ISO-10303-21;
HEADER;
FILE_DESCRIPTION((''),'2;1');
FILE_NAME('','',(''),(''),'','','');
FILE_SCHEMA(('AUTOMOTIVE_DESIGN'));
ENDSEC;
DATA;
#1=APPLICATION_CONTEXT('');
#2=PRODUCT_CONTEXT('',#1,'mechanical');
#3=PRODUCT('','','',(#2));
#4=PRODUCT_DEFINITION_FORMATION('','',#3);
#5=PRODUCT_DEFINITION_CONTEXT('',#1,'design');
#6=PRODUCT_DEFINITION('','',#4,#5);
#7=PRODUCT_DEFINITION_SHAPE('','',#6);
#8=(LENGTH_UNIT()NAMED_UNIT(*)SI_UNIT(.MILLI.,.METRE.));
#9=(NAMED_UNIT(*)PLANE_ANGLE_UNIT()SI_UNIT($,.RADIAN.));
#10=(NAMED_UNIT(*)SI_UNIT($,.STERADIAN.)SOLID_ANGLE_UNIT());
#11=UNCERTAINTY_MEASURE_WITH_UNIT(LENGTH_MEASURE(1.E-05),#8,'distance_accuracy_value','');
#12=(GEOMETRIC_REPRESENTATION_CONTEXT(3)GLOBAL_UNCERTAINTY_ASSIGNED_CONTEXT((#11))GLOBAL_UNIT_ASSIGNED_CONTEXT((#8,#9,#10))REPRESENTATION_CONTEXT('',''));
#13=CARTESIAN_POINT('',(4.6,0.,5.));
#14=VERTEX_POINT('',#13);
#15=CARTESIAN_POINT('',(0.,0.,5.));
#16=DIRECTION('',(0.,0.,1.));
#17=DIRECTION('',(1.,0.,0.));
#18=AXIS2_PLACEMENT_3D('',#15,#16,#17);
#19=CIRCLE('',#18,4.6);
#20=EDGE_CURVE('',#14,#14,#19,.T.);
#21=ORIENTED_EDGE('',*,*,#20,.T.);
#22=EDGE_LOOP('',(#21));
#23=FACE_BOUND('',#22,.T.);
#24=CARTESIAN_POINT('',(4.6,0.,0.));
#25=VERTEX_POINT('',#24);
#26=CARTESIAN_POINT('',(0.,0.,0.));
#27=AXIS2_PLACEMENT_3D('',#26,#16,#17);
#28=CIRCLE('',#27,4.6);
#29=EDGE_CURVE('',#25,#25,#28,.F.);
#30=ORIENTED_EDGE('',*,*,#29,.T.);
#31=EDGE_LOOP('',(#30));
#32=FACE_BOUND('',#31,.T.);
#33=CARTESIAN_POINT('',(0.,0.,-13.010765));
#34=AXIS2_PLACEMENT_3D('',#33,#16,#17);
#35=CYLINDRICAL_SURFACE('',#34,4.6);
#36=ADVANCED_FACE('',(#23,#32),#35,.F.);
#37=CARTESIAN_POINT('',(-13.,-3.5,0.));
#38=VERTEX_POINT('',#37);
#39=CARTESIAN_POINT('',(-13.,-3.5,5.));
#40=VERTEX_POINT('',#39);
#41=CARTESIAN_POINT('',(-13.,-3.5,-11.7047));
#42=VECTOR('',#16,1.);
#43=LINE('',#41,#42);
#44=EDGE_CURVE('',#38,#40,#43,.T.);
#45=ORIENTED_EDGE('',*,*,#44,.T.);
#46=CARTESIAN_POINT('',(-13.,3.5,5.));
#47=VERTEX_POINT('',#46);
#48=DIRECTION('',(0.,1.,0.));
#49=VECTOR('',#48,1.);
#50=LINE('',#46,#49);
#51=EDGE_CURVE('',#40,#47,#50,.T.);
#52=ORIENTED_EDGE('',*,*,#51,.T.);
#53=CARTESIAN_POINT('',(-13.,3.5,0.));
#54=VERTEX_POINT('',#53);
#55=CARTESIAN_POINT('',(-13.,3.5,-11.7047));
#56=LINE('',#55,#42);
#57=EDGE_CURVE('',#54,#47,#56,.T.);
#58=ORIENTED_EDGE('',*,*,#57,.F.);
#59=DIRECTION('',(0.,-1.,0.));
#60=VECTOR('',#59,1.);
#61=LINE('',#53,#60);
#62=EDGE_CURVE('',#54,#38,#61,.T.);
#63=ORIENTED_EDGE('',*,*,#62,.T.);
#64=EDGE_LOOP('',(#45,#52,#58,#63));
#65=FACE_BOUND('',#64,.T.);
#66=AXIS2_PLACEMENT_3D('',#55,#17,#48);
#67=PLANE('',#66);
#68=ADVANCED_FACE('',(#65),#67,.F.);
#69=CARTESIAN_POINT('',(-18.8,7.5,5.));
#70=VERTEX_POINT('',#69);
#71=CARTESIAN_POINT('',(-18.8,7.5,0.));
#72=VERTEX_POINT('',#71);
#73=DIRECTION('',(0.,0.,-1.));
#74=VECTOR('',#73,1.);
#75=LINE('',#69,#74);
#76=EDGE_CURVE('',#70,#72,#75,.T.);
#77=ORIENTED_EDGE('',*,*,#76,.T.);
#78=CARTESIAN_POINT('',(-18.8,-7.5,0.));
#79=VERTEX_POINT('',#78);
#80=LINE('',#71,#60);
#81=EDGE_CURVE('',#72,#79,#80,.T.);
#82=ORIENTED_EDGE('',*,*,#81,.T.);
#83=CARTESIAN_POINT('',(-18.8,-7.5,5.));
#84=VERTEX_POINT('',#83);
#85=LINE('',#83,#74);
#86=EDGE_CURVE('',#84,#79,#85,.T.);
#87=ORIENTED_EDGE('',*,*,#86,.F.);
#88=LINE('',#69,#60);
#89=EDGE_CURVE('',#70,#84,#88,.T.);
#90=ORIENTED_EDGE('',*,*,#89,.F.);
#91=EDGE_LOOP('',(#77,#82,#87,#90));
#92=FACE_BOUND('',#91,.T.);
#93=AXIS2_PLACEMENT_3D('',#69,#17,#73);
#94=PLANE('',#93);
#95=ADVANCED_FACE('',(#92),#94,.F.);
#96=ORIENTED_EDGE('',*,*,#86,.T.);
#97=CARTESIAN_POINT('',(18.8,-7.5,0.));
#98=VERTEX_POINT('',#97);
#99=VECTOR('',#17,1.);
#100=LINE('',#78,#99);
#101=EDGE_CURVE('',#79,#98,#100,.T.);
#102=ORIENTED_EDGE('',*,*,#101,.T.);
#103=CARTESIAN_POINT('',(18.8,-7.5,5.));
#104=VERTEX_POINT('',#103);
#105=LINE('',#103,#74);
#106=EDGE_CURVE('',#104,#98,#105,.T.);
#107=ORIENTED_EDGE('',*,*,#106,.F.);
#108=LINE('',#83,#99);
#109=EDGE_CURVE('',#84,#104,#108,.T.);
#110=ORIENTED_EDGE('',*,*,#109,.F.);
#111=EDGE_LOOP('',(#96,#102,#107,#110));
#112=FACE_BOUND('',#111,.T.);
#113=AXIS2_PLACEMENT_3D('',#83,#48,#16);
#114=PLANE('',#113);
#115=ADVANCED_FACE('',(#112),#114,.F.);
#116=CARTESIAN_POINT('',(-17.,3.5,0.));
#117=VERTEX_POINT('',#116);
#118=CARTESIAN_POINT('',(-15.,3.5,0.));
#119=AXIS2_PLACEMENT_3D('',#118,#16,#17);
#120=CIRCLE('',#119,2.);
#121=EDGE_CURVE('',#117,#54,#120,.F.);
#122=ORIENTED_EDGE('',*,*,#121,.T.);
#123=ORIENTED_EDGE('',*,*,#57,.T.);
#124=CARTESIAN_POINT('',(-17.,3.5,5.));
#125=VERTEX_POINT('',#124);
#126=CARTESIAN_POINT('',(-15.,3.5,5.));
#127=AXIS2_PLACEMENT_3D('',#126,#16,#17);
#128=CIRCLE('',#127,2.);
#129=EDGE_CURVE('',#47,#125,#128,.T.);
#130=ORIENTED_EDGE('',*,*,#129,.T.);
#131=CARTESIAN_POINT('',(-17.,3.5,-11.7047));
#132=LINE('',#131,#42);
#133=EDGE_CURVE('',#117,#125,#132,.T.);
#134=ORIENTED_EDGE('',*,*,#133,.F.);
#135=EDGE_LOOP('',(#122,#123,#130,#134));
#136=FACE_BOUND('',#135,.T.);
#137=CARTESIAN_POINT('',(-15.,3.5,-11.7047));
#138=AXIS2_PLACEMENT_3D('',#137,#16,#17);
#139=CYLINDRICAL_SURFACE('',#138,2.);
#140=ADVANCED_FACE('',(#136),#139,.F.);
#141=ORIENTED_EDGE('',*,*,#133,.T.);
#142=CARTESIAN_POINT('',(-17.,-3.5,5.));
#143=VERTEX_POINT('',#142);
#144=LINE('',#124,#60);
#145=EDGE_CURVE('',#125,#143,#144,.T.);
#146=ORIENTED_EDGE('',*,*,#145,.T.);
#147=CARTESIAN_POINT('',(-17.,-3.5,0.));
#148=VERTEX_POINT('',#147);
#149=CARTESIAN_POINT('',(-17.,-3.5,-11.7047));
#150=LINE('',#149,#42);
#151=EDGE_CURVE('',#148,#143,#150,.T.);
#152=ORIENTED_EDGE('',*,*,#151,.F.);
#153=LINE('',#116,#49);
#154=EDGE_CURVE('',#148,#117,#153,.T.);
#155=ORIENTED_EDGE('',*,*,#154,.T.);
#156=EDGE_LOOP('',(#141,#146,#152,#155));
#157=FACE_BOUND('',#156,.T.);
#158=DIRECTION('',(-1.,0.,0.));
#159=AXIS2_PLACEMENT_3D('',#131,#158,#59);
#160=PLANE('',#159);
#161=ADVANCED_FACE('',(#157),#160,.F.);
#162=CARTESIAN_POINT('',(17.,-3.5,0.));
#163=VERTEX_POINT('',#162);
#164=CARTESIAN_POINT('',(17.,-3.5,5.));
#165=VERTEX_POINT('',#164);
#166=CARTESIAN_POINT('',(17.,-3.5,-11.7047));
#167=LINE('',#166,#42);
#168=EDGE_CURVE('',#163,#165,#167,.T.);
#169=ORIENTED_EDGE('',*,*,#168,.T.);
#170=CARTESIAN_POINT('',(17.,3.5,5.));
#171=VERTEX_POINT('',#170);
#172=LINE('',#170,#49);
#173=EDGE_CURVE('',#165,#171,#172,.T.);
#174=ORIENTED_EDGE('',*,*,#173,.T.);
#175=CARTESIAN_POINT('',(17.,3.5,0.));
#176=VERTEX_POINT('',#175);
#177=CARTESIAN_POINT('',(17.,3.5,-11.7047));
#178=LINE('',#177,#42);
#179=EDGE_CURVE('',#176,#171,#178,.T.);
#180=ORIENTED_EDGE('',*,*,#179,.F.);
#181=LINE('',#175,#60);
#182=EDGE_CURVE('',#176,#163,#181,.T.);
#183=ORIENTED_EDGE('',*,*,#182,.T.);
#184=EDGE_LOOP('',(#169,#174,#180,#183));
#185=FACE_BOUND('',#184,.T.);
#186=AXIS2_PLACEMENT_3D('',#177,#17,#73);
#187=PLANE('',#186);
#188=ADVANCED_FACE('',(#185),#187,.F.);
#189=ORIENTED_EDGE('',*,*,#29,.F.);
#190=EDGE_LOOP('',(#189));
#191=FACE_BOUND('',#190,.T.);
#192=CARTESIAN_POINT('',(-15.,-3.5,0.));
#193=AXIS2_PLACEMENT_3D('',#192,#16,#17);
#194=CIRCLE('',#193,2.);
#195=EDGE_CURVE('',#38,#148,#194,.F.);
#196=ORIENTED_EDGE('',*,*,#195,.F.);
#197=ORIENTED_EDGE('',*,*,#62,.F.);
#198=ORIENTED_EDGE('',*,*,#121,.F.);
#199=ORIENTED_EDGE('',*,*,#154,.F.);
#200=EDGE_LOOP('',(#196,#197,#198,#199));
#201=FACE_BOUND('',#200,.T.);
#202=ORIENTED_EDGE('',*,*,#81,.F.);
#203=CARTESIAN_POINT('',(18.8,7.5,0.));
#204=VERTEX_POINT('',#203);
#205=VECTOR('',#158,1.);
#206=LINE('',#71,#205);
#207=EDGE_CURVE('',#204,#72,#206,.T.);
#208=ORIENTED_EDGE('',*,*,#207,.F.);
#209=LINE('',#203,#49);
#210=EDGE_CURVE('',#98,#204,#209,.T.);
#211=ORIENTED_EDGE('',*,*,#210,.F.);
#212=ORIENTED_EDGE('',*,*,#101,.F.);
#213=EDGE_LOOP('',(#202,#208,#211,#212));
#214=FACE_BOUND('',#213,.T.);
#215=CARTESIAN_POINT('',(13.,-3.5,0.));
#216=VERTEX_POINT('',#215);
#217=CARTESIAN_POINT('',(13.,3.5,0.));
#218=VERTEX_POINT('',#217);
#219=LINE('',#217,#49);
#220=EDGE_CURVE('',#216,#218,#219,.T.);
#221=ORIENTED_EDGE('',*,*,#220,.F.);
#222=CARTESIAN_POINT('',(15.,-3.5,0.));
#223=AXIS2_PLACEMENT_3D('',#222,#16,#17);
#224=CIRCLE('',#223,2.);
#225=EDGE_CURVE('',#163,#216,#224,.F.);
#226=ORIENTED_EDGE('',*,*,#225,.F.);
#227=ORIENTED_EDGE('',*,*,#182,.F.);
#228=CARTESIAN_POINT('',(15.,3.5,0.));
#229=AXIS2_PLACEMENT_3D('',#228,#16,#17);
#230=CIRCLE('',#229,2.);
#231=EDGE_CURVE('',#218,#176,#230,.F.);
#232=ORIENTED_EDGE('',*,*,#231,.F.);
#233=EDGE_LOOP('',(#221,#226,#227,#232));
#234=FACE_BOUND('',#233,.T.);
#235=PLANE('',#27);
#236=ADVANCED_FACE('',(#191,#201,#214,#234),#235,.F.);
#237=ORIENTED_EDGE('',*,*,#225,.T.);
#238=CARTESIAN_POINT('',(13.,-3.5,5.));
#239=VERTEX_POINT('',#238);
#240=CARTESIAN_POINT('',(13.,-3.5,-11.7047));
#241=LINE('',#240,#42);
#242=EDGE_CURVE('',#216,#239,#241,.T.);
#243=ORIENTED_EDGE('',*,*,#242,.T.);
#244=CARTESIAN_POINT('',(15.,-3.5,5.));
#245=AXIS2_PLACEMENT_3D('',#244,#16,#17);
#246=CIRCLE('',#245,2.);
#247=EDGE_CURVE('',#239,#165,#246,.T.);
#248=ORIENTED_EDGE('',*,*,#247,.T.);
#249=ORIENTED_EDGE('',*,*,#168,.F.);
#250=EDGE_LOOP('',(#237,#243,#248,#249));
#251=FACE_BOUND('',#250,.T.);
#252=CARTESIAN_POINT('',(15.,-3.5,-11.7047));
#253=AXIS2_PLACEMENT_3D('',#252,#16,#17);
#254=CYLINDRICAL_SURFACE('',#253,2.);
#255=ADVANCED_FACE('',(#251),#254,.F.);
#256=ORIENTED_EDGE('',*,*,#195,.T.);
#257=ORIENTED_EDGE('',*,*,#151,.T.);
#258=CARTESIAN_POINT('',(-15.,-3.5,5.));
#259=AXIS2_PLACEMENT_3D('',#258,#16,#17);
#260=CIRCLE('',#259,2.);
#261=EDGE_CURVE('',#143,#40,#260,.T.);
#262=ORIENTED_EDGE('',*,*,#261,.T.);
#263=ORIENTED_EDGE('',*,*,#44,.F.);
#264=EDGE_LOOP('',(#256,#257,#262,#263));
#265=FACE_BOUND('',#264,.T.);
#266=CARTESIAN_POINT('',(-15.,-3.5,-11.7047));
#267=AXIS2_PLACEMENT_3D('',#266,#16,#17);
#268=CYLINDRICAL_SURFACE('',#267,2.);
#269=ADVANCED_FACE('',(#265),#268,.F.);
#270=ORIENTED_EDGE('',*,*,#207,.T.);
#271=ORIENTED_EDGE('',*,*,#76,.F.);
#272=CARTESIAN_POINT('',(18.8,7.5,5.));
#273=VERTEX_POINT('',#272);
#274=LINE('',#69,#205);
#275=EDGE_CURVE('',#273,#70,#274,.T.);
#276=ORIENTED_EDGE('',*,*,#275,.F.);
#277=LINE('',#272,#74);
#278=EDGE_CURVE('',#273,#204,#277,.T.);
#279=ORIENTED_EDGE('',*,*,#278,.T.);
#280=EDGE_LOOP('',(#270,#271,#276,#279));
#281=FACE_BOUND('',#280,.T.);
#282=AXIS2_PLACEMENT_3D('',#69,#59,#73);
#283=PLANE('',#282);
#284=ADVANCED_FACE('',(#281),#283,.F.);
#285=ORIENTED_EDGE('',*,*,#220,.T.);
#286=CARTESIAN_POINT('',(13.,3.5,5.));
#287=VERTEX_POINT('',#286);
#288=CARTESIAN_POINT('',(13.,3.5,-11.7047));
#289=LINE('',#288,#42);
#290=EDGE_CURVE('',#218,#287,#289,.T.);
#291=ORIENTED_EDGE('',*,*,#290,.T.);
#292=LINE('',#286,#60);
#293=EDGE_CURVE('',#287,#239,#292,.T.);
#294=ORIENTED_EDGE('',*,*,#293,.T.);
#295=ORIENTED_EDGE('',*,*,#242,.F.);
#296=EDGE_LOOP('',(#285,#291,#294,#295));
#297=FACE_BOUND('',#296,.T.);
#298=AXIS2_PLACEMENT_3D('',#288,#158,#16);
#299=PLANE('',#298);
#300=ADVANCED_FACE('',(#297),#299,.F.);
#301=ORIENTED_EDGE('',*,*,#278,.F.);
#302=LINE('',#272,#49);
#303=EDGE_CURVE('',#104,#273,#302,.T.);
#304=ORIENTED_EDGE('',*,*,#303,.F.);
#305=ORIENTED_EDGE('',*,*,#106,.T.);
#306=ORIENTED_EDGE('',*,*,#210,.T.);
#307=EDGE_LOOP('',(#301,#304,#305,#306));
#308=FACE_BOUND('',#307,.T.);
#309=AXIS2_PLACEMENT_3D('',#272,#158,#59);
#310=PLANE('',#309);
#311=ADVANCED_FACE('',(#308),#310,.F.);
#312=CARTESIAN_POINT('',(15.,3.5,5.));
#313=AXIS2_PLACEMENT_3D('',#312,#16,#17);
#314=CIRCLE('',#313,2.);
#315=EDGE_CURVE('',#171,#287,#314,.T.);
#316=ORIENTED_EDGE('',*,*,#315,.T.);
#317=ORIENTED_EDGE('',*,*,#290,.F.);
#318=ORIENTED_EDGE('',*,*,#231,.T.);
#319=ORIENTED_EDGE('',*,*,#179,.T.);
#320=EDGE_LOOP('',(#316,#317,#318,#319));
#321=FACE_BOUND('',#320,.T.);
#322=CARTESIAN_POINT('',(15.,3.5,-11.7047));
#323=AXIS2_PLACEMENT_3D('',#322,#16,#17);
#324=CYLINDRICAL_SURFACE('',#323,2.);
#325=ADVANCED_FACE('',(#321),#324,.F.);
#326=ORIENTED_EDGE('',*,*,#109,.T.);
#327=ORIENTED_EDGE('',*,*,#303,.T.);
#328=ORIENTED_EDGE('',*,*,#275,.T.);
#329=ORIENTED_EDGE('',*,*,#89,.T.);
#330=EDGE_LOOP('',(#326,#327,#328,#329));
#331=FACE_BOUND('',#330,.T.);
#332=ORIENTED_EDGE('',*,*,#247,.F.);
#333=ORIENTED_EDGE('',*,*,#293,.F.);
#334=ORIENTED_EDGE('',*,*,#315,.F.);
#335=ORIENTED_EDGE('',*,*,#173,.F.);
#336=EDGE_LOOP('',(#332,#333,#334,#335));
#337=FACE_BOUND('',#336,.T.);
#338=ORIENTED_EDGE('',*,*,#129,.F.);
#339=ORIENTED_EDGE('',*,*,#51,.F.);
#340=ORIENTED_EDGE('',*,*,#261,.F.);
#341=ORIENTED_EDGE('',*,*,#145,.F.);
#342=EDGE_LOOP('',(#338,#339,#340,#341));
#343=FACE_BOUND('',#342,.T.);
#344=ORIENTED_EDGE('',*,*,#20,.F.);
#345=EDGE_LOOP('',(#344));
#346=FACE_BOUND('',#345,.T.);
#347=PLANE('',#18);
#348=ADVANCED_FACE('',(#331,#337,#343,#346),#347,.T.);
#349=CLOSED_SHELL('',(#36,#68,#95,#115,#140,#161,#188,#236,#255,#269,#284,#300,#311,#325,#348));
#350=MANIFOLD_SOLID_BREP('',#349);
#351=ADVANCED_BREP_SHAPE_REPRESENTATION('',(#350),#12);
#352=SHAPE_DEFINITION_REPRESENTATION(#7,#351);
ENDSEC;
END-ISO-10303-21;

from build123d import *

# Parameters (mm, degrees)
SKETCH1_W           = 37.6
SKETCH1_H           = 15
BOSS_EXTRUDE1_DEPTH = 5
CUT_EXTRUDE1_DEPTH  = 5
SKETCH3_R           = 4.6
CUT_EXTRUDE2_DEPTH  = 5


with BuildPart() as part:
    # Sketch1 → Boss-Extrude1 (new body)
    with BuildSketch(Plane.XY):
        Rectangle(SKETCH1_W, SKETCH1_H)
    extrude(amount=BOSS_EXTRUDE1_DEPTH)

    # Sketch2 → Cut-Extrude1 (cut)
    with BuildSketch(Plane.XY.offset(5)):
        with BuildLine():
            Line((-13, 3.5), (-13, -3.5))
            ThreePointArc((-13, -3.5), (-15, -5.5), (-17, -3.5))
            Line((-17, -3.5), (-17, 3.5))
            ThreePointArc((-17, 3.5), (-15, 5.5), (-13, 3.5))
        make_face()
        with BuildLine():
            Line((17, 3.5), (17, -3.5))
            ThreePointArc((17, -3.5), (15, -5.5), (13, -3.5))
            Line((13, -3.5), (13, 3.5))
            ThreePointArc((13, 3.5), (15, 5.5), (17, 3.5))
        make_face()
    extrude(amount=-CUT_EXTRUDE1_DEPTH, mode=Mode.SUBTRACT)

    # Sketch3 → Cut-Extrude2 (cut)
    with BuildSketch(Plane.XY.offset(5)):
        Circle(SKETCH3_R)
    extrude(amount=-CUT_EXTRUDE2_DEPTH, mode=Mode.SUBTRACT)


solid = part.part
